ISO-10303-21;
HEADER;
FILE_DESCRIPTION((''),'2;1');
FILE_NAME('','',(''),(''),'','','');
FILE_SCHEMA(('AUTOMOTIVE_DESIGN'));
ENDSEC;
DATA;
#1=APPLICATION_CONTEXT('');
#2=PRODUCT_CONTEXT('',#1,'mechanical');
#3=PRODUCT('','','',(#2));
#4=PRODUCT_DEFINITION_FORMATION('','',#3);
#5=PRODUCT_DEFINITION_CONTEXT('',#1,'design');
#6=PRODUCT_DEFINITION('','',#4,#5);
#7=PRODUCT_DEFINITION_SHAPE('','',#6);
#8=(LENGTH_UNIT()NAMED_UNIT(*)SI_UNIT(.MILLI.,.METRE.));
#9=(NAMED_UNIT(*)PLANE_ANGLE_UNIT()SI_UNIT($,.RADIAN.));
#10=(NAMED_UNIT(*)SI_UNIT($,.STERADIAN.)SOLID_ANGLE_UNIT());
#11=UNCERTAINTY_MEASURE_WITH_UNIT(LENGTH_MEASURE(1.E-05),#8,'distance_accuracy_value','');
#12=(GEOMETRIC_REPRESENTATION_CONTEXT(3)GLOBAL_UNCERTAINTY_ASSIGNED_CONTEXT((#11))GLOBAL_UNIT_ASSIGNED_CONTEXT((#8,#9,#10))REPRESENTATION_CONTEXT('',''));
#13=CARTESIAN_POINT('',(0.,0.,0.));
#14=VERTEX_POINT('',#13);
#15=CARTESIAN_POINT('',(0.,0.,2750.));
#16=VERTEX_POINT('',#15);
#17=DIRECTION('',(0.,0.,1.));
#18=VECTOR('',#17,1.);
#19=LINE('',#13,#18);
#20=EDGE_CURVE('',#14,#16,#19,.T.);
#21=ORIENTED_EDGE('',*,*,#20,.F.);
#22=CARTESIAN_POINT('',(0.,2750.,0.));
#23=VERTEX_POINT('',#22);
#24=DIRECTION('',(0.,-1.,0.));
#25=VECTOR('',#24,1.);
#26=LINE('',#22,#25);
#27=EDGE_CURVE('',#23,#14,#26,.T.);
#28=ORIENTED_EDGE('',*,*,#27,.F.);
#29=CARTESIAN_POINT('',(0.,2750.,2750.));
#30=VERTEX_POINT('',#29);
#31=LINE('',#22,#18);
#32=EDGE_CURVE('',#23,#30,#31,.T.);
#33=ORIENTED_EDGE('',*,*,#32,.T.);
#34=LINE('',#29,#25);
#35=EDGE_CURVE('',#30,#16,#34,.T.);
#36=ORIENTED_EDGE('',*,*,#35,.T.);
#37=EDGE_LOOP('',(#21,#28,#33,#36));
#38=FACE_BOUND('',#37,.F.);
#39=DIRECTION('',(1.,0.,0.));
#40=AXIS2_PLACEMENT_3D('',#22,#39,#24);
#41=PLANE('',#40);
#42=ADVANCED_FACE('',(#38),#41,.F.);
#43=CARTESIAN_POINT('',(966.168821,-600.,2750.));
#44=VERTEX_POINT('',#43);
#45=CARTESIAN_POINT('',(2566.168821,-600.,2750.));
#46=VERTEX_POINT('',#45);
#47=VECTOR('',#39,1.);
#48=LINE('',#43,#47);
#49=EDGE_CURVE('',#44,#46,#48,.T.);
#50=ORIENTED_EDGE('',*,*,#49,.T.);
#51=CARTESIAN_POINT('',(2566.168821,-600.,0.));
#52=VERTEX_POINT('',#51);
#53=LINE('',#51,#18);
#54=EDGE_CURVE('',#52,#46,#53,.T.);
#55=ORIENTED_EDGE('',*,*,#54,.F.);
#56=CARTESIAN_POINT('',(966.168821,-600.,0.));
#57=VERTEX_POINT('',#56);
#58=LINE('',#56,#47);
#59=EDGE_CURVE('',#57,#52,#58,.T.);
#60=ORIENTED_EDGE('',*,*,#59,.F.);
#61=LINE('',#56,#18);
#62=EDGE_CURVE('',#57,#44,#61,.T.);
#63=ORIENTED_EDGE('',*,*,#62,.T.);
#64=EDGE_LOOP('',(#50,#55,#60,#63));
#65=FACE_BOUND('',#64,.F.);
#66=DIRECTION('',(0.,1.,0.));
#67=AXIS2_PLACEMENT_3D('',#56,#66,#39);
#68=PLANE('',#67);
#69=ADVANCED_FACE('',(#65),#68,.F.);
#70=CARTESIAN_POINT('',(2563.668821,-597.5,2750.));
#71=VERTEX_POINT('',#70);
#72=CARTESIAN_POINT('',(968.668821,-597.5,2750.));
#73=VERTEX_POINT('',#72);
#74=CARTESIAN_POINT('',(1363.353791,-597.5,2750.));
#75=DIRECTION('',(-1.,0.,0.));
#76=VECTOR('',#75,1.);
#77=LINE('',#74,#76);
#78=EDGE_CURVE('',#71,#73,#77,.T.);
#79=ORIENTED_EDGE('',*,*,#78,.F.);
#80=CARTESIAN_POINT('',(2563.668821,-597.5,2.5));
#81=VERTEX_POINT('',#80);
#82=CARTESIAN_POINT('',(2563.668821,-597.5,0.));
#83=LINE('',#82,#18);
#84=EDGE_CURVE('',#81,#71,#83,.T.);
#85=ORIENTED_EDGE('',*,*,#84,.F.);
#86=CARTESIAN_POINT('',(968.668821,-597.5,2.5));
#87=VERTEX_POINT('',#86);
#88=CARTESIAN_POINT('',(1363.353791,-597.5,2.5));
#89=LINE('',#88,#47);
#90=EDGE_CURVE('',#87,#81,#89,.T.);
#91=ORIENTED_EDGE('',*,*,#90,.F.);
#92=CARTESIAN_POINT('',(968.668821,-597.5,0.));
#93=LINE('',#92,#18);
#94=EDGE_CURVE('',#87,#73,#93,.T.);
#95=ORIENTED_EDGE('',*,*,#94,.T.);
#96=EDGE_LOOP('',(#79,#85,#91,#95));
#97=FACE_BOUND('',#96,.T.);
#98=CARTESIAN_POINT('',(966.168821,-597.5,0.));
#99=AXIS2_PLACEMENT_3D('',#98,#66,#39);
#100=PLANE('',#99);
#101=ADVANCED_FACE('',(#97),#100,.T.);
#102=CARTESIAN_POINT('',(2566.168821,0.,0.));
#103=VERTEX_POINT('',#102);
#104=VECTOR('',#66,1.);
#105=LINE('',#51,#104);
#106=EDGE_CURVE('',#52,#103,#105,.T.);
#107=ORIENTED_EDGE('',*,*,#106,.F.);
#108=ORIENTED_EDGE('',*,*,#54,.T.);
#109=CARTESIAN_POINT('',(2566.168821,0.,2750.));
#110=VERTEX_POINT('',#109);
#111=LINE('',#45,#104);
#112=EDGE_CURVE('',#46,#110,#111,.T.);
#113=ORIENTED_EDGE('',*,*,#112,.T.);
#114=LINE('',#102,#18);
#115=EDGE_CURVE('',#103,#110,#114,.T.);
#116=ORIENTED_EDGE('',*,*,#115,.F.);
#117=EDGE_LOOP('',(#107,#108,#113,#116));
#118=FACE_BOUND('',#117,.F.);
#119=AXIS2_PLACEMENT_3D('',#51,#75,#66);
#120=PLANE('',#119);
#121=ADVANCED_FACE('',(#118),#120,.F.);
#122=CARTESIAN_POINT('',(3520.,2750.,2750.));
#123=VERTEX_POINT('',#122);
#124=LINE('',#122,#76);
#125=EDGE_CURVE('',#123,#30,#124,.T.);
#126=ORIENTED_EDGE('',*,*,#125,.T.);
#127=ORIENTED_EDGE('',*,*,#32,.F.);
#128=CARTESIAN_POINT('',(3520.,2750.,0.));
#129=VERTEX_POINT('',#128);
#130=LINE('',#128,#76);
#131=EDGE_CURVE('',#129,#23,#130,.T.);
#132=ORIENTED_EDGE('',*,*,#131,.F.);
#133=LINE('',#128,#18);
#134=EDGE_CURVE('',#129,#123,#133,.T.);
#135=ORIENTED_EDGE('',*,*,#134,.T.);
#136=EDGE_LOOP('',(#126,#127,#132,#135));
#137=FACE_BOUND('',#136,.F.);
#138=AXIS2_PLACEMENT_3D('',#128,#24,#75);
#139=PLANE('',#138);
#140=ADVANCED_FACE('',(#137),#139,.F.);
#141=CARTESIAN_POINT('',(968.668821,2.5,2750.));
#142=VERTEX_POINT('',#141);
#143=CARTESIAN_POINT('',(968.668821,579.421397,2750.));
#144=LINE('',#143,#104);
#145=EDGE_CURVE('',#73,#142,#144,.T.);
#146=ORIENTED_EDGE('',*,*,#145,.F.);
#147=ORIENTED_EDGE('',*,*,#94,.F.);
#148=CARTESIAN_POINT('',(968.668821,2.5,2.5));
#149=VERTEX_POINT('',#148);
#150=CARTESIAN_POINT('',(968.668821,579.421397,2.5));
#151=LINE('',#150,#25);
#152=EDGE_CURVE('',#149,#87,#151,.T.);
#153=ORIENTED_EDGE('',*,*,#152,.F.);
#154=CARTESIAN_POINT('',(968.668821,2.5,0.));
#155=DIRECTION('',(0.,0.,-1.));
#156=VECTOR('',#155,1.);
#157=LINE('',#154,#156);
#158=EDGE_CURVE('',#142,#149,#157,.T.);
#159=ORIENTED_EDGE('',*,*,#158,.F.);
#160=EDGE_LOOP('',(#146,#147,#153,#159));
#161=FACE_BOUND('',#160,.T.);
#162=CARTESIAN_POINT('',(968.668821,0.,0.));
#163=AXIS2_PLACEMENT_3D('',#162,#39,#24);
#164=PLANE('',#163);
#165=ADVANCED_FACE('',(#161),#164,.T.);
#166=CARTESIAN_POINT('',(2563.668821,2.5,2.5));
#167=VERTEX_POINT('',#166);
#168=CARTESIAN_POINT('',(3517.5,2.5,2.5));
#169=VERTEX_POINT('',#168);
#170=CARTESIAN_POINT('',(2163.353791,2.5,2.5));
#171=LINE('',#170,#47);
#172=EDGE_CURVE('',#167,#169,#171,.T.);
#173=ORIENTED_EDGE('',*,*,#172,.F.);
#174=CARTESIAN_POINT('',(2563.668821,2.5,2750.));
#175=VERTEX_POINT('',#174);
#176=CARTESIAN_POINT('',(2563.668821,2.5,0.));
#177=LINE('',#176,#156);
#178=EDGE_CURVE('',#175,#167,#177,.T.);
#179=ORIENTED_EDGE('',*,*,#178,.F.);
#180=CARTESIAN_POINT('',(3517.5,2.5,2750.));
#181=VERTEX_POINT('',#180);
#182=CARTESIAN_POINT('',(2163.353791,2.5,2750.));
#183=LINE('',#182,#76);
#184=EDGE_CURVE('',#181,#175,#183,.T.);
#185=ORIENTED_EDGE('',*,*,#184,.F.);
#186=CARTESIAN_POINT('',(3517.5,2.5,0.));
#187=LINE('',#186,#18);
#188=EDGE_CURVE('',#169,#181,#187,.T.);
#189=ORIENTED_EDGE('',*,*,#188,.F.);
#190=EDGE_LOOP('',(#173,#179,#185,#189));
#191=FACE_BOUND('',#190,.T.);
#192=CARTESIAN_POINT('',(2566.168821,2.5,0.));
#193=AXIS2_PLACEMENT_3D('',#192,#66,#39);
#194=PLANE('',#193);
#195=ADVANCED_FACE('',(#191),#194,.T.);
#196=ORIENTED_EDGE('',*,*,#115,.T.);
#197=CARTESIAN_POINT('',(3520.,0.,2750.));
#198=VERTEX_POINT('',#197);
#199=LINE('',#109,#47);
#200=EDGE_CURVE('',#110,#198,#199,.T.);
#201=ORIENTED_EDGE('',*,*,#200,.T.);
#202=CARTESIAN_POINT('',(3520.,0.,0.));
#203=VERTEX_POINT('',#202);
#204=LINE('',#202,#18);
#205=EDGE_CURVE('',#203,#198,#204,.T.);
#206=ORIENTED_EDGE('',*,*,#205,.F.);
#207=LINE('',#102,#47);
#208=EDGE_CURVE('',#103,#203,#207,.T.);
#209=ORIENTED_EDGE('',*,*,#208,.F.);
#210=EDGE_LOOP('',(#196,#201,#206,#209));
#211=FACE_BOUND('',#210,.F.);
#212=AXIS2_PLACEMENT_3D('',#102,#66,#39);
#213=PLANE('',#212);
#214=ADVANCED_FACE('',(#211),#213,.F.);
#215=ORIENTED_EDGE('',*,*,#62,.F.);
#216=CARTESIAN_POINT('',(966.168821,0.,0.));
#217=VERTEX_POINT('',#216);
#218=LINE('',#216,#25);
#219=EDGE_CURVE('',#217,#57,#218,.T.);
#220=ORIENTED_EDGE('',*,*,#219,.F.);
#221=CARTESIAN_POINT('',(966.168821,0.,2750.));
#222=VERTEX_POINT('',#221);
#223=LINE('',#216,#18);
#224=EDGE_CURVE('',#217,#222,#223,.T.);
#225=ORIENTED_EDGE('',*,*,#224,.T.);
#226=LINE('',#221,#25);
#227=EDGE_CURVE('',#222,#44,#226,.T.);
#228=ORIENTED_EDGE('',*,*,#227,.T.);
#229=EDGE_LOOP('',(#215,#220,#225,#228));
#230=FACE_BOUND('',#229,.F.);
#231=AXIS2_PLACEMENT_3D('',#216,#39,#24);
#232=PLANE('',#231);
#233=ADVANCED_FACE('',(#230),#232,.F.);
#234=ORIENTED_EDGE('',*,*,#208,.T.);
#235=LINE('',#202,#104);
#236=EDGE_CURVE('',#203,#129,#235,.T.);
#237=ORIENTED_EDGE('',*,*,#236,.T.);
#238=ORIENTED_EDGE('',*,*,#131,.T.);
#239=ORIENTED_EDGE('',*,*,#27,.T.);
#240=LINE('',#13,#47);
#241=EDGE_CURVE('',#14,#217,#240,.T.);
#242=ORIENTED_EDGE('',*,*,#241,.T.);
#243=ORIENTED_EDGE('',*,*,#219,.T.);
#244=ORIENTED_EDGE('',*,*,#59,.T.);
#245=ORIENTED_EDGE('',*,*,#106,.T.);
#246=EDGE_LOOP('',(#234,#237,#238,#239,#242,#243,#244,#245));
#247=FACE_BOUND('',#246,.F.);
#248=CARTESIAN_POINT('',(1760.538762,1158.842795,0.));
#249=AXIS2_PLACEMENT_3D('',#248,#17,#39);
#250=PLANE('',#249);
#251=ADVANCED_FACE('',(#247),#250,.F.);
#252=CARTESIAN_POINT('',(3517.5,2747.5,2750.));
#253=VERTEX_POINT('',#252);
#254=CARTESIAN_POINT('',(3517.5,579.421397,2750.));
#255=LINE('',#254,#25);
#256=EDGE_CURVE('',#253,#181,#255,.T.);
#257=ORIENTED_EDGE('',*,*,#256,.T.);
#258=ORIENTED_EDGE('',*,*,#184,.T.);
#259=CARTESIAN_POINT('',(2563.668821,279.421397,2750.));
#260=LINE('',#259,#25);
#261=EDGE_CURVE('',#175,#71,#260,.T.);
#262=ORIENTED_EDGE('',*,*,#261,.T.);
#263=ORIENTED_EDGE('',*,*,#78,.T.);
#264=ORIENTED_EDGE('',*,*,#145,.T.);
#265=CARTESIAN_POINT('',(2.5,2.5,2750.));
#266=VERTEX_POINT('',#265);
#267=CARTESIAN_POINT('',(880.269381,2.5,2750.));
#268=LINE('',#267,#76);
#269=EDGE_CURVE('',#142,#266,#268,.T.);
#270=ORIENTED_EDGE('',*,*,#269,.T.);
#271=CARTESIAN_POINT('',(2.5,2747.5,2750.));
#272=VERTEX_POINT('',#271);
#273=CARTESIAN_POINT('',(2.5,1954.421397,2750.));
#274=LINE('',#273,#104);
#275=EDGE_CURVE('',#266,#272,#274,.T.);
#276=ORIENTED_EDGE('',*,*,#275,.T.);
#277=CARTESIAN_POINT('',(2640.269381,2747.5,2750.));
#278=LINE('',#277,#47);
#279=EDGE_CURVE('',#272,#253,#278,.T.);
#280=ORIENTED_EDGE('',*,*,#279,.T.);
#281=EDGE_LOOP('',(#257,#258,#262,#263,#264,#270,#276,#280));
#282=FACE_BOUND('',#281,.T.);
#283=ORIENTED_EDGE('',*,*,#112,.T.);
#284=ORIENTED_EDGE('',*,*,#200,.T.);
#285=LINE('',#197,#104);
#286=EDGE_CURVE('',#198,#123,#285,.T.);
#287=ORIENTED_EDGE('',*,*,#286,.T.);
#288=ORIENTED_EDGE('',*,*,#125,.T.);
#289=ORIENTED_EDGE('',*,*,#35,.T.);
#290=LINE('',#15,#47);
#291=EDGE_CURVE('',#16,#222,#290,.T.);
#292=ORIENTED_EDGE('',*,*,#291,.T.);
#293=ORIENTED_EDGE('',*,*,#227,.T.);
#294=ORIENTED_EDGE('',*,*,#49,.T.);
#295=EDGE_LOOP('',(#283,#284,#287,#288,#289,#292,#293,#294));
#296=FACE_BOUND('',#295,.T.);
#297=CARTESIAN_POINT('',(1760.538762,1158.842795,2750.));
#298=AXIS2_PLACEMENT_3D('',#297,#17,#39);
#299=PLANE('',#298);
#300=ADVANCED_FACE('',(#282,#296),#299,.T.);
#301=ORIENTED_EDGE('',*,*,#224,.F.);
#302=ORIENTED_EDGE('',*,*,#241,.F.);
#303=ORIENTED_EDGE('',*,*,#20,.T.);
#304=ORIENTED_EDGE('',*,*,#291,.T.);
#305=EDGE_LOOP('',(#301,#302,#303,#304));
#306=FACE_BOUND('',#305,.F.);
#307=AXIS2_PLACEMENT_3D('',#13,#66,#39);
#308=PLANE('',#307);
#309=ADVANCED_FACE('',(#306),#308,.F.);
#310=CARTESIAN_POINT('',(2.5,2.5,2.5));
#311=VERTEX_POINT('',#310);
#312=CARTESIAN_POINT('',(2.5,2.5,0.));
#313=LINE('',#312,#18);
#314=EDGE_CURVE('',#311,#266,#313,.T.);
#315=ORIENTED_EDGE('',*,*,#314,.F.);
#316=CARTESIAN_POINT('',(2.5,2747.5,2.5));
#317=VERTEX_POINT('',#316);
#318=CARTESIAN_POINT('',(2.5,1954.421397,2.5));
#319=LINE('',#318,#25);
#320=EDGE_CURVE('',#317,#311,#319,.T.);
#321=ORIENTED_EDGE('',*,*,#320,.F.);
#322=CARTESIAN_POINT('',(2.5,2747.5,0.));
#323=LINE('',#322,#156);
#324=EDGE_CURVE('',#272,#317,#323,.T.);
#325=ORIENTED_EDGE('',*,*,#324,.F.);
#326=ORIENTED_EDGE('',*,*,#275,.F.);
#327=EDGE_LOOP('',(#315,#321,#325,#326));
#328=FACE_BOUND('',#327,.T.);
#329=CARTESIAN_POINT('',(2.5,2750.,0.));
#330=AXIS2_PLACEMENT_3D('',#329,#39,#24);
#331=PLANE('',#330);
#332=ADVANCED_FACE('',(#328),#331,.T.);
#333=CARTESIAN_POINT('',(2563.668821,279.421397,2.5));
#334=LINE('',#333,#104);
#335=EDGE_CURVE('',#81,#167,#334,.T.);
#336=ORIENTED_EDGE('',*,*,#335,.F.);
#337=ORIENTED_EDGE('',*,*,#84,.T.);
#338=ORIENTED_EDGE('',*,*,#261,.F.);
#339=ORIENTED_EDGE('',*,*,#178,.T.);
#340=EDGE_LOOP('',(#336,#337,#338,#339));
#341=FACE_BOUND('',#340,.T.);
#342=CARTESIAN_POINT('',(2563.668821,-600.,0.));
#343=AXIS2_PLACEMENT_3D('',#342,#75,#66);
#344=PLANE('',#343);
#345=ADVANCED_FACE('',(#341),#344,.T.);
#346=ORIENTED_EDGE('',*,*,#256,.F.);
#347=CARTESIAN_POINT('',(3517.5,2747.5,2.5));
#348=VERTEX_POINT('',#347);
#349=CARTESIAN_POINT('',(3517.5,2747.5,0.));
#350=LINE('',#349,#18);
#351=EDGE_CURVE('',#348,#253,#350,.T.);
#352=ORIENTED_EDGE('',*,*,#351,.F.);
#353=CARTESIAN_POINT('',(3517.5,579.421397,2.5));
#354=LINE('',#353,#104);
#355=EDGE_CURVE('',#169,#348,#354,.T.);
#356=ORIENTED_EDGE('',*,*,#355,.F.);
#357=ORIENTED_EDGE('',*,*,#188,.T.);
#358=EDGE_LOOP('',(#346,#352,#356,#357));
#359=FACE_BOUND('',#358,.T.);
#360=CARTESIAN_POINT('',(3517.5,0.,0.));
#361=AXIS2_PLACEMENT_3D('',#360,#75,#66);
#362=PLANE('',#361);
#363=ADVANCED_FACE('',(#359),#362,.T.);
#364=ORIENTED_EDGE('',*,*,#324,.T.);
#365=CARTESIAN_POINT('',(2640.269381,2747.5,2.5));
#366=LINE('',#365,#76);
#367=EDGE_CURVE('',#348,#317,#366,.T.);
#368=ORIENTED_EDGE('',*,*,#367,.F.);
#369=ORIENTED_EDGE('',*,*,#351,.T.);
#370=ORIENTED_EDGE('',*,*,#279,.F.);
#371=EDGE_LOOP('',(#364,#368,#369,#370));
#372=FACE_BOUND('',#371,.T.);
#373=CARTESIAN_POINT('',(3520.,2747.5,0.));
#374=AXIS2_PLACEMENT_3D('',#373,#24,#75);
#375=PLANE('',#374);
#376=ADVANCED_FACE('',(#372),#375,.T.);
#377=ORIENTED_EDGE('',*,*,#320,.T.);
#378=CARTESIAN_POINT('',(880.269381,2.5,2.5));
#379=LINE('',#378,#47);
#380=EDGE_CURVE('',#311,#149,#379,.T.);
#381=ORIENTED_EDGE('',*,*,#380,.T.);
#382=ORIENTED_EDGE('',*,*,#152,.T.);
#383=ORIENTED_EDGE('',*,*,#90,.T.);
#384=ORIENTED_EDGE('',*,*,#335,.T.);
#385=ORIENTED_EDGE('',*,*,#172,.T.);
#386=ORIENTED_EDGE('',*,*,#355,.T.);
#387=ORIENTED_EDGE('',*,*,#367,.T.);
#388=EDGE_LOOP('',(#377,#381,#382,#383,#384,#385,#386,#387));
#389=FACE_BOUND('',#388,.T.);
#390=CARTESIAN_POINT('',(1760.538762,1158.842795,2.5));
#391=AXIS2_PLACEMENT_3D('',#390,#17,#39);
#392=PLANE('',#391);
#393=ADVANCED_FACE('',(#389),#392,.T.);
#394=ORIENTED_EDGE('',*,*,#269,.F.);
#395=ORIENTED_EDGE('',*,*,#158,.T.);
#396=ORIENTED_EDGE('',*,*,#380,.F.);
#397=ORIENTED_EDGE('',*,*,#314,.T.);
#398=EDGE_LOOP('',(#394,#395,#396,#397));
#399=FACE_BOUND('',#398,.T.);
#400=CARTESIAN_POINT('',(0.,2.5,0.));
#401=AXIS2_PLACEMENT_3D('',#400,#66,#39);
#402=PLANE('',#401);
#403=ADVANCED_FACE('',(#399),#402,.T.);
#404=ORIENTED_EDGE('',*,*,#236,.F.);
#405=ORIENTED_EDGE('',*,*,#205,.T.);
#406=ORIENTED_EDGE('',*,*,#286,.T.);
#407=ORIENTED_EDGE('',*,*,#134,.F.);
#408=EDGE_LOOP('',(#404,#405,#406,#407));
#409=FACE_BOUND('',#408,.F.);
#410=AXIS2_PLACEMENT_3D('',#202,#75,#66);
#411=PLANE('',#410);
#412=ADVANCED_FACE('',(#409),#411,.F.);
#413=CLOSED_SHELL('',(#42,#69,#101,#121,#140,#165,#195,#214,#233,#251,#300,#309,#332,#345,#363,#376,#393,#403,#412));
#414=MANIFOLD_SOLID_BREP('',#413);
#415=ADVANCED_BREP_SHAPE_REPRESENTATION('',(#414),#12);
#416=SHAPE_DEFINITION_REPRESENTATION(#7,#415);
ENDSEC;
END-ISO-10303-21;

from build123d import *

# Parameters (mm, degrees)
F1_DEPTH = 2750
F2_T     = -2.5


with BuildPart() as f1:
    # F0 (on Top) → F1 (new body)
    with BuildSketch(Plane.XY):
        Polygon((0, 2750), (0, 0), (966.168820858, 0), (966.168820858, -600), (2566.168820858, -600), (2566.168820858, 0), (3520, 0), (3520, 2750), align=None)
    extrude(amount=F1_DEPTH)

    # F2
    f2_openings = [f1.faces().sort_by_distance(p)[0] for p in [
        (1760.556585, 1223.87218, 2750),
    ]]
    offset(amount=F2_T, openings=f2_openings, kind=Kind.INTERSECTION)


solid = f1.part
